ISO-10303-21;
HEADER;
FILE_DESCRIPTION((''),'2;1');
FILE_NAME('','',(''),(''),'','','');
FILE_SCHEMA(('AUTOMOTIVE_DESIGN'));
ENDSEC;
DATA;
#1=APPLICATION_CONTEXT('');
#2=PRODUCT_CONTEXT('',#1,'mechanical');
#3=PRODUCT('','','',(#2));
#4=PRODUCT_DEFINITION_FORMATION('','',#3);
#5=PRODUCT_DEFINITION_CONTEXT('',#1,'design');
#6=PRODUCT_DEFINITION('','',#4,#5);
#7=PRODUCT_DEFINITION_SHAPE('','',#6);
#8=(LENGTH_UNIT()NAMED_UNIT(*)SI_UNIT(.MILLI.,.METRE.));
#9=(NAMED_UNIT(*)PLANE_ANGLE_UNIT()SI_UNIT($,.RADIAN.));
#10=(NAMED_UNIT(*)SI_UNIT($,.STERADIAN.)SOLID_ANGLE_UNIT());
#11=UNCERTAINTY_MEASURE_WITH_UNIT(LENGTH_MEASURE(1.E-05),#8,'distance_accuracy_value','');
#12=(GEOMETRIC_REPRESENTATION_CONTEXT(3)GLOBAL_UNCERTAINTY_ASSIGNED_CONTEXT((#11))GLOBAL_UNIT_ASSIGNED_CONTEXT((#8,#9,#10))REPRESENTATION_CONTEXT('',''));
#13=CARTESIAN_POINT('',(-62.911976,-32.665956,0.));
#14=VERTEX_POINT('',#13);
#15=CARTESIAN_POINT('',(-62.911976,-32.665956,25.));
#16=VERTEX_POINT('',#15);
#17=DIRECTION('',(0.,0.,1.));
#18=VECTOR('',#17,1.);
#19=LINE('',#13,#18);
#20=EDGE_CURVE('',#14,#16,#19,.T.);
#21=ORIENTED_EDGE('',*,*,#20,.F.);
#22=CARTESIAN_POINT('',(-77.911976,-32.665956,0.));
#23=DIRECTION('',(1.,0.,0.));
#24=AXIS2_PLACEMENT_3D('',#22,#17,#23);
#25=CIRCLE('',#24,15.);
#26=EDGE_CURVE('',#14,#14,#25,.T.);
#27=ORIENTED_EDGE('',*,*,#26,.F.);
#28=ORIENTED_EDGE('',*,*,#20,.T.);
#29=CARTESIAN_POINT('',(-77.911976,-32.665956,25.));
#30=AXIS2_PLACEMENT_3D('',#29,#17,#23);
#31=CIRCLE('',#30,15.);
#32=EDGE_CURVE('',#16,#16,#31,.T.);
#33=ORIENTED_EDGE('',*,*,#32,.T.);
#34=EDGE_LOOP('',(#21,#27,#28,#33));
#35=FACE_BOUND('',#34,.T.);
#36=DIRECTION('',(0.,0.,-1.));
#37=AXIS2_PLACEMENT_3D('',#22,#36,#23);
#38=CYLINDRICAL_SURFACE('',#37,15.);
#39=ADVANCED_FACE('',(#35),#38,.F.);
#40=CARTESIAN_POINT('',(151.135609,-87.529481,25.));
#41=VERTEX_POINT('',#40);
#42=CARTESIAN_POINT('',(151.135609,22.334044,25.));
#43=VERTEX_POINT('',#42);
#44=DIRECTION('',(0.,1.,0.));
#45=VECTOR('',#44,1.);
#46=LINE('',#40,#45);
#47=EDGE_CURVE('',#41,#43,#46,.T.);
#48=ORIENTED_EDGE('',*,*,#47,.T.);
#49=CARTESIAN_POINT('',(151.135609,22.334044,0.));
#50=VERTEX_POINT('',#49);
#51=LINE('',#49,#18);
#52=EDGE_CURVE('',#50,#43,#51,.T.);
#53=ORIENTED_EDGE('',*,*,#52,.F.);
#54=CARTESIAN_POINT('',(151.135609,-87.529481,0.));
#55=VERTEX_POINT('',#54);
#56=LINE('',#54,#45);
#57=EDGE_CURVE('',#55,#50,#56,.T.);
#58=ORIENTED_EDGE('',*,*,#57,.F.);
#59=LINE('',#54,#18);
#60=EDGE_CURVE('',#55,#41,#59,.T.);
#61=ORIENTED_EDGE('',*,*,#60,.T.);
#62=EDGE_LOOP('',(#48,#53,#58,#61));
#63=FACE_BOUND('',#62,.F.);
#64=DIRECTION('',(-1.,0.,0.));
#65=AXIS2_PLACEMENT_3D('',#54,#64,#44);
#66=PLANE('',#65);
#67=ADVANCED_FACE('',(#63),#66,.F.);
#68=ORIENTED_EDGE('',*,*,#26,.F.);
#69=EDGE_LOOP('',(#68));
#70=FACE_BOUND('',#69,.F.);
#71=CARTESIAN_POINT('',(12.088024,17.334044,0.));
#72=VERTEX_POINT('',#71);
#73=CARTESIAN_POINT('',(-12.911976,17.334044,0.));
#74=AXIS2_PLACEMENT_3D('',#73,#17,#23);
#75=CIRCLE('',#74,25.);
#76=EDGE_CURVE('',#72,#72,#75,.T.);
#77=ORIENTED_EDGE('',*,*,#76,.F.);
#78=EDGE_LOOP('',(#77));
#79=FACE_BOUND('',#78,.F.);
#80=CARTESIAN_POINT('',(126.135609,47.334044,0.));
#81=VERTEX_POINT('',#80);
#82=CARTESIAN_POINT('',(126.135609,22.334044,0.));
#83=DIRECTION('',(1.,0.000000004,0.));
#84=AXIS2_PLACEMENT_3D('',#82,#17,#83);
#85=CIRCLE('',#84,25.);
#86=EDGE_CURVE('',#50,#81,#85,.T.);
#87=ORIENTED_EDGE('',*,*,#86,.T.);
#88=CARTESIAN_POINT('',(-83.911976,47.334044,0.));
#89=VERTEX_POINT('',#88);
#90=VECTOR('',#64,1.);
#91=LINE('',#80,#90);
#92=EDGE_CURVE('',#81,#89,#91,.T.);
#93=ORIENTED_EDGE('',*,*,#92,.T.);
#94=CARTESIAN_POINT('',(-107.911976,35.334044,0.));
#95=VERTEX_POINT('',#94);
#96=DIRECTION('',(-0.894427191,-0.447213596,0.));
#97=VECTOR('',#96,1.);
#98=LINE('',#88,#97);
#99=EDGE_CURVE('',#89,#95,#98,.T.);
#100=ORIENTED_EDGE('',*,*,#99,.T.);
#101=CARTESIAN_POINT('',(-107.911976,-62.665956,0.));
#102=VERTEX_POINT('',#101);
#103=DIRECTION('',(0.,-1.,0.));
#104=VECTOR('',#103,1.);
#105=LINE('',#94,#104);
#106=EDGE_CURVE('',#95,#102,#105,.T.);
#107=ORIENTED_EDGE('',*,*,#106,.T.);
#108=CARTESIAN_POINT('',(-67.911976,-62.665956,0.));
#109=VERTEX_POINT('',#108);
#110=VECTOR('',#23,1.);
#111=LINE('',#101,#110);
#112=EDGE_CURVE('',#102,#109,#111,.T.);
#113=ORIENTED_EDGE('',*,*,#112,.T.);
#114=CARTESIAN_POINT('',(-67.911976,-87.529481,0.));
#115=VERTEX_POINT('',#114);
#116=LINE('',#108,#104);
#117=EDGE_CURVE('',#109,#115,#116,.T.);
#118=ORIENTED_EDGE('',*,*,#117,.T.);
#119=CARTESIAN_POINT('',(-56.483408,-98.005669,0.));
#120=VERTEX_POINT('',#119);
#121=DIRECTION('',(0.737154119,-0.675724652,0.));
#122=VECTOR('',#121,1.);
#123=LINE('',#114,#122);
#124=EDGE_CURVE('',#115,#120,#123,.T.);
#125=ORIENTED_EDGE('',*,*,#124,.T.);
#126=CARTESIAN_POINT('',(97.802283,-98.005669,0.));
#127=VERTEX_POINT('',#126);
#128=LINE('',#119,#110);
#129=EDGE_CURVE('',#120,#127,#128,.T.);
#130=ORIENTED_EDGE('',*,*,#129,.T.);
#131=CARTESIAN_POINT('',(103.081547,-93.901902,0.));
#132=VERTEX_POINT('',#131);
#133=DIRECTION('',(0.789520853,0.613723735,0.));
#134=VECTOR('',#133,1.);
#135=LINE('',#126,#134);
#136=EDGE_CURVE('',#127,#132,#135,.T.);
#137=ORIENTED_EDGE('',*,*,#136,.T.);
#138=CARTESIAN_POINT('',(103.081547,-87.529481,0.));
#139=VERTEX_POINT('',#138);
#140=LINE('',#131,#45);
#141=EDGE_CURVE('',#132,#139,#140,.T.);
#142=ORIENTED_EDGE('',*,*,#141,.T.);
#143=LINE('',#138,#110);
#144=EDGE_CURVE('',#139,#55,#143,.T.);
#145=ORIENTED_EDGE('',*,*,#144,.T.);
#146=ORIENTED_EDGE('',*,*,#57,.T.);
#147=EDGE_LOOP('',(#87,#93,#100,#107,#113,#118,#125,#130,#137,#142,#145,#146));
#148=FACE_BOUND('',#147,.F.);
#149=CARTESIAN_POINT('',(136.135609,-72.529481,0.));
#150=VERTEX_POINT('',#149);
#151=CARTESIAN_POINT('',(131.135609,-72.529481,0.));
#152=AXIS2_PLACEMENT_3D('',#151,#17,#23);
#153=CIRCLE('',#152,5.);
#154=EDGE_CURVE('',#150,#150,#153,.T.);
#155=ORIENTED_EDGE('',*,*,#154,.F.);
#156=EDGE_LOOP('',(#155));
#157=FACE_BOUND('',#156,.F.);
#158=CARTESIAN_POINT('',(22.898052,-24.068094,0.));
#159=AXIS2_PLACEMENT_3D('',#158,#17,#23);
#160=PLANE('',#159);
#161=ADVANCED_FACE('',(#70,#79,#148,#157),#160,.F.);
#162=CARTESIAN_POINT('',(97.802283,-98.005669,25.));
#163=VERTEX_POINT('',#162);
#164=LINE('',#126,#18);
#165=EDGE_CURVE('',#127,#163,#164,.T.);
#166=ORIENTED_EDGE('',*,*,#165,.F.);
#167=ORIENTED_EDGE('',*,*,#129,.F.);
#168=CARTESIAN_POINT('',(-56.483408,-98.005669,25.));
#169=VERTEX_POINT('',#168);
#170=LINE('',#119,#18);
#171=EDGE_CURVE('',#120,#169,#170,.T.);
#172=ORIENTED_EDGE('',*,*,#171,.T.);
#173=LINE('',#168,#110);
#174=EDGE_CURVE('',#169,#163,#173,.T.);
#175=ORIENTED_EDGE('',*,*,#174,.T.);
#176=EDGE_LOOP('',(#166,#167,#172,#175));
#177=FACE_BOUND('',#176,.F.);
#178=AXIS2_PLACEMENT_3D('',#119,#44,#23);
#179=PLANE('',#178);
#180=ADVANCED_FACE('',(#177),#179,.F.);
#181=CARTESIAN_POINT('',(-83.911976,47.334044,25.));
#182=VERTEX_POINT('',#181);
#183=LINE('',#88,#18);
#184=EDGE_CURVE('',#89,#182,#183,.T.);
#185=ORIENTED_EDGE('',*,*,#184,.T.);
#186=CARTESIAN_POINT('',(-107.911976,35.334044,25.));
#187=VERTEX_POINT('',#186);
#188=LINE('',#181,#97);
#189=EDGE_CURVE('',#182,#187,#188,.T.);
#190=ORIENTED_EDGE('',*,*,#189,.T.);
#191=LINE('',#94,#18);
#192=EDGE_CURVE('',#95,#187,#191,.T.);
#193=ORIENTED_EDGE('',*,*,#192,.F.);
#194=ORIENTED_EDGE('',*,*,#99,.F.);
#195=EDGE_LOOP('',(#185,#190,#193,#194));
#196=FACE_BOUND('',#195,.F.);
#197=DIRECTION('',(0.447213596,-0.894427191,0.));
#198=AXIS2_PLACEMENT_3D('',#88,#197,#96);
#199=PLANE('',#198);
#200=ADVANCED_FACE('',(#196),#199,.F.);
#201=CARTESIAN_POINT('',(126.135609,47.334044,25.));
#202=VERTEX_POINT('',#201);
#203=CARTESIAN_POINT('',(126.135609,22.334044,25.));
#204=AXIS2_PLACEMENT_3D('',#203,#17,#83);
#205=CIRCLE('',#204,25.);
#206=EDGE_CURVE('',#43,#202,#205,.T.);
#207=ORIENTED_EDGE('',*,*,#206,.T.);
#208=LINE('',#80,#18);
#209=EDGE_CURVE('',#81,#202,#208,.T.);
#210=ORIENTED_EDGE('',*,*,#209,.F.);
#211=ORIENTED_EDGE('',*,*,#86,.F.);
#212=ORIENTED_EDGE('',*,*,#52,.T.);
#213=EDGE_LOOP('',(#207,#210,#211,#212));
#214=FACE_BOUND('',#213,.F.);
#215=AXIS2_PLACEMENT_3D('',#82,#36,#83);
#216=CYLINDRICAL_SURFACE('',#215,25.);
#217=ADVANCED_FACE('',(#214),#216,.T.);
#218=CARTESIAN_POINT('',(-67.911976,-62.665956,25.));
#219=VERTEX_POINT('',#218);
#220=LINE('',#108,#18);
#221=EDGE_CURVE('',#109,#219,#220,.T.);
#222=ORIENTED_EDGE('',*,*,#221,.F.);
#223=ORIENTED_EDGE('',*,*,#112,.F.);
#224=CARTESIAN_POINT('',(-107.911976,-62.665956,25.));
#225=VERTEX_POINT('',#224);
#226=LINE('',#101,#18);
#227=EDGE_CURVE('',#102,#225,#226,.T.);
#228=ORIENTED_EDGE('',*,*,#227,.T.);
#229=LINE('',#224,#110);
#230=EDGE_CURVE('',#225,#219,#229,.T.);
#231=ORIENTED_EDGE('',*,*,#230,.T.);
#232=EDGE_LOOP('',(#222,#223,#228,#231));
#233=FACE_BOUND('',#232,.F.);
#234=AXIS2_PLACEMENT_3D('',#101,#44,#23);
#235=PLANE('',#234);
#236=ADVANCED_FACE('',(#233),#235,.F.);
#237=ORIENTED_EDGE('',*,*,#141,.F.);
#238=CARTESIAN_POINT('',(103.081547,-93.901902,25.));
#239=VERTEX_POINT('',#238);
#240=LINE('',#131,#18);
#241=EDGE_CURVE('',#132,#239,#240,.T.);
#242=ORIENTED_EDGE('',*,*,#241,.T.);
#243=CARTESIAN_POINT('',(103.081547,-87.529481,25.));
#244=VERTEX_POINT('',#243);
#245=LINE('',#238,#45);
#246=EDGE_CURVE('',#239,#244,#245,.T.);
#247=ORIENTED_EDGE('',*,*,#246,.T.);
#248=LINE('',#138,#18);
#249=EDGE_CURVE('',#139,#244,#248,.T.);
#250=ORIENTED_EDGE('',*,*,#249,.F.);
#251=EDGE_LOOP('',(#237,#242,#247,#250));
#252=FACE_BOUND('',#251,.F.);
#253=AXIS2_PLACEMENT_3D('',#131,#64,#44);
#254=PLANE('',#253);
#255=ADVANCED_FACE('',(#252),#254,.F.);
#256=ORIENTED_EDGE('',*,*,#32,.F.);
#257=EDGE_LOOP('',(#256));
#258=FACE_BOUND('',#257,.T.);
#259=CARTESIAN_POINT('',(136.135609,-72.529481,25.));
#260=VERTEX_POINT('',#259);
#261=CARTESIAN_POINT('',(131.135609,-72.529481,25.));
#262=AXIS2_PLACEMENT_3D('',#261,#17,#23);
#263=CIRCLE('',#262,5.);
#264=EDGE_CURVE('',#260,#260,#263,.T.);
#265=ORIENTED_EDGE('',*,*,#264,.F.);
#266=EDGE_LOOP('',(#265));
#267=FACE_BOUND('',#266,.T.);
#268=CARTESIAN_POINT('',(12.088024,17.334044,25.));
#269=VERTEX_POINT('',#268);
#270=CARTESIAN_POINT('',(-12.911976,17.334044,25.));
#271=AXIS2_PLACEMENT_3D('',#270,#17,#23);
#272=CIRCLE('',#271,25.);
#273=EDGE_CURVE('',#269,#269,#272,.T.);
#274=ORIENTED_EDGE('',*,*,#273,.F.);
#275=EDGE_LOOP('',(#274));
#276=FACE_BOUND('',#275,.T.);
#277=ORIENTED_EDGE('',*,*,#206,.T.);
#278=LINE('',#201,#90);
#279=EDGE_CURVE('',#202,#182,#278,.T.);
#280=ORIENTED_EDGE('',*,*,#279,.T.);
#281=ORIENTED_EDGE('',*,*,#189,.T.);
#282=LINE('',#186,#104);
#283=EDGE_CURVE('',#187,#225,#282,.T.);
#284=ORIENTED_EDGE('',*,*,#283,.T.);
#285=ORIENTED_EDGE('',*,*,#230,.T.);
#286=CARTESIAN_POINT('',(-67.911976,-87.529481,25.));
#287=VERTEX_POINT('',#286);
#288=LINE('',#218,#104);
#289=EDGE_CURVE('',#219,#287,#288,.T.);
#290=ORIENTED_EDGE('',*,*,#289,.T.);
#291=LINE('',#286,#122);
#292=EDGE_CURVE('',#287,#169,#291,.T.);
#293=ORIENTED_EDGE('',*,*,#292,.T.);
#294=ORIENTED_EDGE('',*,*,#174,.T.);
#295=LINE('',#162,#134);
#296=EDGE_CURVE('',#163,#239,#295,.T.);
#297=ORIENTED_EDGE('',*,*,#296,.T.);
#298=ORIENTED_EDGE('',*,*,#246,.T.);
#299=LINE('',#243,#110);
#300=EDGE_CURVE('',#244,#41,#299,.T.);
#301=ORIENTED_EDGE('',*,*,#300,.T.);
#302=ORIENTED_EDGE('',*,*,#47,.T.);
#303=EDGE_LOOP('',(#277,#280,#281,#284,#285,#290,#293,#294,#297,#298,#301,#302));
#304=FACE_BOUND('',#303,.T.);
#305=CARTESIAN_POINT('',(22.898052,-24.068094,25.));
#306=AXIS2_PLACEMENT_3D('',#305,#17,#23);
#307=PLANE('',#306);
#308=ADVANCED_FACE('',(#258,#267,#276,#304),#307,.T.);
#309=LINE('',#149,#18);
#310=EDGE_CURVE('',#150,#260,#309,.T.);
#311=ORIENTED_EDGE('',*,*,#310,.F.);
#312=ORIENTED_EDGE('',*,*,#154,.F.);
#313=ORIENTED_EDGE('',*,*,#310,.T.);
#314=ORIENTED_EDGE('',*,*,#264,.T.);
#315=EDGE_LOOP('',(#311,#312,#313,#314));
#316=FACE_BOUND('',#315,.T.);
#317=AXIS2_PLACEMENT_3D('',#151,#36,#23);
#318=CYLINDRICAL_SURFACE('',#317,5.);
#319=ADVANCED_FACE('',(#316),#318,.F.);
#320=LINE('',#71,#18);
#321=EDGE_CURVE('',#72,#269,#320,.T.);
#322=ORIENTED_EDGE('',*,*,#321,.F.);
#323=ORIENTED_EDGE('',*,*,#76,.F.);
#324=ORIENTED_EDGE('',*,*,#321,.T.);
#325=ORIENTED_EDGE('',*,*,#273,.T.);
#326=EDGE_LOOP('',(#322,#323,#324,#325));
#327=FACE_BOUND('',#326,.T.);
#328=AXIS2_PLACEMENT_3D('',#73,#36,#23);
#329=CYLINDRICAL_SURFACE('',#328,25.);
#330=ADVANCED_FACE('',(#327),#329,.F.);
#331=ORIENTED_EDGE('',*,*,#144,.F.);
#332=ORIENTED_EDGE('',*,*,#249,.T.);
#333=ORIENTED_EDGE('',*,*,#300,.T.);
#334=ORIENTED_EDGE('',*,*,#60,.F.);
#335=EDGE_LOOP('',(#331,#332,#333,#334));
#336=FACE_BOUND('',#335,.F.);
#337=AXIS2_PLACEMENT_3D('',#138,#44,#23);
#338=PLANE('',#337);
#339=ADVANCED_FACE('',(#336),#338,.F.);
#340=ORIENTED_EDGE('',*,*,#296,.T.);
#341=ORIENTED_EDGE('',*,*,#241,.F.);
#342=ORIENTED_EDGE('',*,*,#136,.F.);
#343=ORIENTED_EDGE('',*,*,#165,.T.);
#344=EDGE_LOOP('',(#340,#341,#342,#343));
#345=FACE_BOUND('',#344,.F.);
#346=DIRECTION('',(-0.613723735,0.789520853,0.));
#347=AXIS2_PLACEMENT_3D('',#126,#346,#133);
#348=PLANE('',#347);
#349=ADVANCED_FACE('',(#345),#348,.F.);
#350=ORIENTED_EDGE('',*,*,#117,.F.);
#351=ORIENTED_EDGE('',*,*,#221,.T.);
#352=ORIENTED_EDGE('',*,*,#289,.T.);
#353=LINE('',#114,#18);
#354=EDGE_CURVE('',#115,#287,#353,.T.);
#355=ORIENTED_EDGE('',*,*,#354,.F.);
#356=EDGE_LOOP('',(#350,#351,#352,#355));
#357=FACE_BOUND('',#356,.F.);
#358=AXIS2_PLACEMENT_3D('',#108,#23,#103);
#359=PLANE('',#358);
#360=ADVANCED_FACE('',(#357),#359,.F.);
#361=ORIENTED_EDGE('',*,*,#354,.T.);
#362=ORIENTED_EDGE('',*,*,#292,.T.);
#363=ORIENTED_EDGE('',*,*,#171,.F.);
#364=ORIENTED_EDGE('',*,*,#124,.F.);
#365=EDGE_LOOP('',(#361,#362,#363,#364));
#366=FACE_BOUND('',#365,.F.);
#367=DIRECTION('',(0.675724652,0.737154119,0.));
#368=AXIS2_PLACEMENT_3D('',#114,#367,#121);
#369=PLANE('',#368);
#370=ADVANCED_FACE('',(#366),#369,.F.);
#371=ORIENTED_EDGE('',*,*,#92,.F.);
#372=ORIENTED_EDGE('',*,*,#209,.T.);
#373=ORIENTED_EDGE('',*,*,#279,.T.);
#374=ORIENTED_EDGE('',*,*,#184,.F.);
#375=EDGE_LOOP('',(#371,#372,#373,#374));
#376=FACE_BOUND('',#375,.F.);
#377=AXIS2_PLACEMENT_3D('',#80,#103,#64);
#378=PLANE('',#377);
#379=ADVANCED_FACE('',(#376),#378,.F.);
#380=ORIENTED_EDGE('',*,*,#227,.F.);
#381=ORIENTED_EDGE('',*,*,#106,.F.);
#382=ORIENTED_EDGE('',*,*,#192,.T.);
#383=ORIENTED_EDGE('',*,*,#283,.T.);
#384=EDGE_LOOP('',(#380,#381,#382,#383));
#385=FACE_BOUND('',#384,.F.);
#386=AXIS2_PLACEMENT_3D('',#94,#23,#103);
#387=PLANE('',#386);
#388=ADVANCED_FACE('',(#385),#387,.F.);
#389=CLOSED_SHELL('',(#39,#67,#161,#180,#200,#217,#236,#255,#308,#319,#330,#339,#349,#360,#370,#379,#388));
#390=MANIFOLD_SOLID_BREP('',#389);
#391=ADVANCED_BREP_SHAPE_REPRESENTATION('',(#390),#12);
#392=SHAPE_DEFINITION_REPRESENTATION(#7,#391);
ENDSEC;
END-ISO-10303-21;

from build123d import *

# Parameters (mm, degrees)
F0_R     = 15
F0_R_2   = 5
F0_R_3   = 25
F1_DEPTH = 25


with BuildPart() as f1:
    # F0 (on Top) → F1 (new body)
    with BuildSketch(Plane.XY):
        with BuildLine():
            Line((-12.911976, 47.334044), (-83.911976, 47.334044))
            Line((-83.911976, 47.334044), (-107.911976, 35.334044))
            Line((-107.911976, 35.334044), (-107.911976, -32.665956))
            Line((-107.911976, -32.665956), (-107.911976, -62.665956))
            Line((-107.911976, -62.665956), (-67.911976, -62.665956))
            Line((-67.911976, -62.665956), (-67.911976, -87.529481))
            Line((-67.911976, -87.529481), (-56.483408, -98.005669))
            Line((-56.483408, -98.005669), (97.802283, -98.005669))
            Line((97.802283, -98.005669), (103.081547, -93.901902))
            Line((103.081547, -93.901902), (103.081547, -87.529481))
            Line((103.081547, -87.529481), (151.135609, -87.529481))
            Line((151.135609, -87.529481), (151.135609, 22.334044))
            ThreePointArc((151.135609, 22.334044), (143.813279, 40.011713), (126.135609, 47.334044))
            Line((126.135609, 47.334044), (71.326105, 47.334044))
            Line((71.326105, 47.334044), (-12.911976, 47.334044))
        make_face()
        with Locations((-77.911976, -32.665956)):
            Circle(F0_R, mode=Mode.SUBTRACT)
        with Locations((131.135609, -72.529481)):
            Circle(F0_R_2, mode=Mode.SUBTRACT)
        with Locations((-12.911976, 17.334044)):
            Circle(F0_R_3, mode=Mode.SUBTRACT)
    extrude(amount=F1_DEPTH)


solid = f1.part
